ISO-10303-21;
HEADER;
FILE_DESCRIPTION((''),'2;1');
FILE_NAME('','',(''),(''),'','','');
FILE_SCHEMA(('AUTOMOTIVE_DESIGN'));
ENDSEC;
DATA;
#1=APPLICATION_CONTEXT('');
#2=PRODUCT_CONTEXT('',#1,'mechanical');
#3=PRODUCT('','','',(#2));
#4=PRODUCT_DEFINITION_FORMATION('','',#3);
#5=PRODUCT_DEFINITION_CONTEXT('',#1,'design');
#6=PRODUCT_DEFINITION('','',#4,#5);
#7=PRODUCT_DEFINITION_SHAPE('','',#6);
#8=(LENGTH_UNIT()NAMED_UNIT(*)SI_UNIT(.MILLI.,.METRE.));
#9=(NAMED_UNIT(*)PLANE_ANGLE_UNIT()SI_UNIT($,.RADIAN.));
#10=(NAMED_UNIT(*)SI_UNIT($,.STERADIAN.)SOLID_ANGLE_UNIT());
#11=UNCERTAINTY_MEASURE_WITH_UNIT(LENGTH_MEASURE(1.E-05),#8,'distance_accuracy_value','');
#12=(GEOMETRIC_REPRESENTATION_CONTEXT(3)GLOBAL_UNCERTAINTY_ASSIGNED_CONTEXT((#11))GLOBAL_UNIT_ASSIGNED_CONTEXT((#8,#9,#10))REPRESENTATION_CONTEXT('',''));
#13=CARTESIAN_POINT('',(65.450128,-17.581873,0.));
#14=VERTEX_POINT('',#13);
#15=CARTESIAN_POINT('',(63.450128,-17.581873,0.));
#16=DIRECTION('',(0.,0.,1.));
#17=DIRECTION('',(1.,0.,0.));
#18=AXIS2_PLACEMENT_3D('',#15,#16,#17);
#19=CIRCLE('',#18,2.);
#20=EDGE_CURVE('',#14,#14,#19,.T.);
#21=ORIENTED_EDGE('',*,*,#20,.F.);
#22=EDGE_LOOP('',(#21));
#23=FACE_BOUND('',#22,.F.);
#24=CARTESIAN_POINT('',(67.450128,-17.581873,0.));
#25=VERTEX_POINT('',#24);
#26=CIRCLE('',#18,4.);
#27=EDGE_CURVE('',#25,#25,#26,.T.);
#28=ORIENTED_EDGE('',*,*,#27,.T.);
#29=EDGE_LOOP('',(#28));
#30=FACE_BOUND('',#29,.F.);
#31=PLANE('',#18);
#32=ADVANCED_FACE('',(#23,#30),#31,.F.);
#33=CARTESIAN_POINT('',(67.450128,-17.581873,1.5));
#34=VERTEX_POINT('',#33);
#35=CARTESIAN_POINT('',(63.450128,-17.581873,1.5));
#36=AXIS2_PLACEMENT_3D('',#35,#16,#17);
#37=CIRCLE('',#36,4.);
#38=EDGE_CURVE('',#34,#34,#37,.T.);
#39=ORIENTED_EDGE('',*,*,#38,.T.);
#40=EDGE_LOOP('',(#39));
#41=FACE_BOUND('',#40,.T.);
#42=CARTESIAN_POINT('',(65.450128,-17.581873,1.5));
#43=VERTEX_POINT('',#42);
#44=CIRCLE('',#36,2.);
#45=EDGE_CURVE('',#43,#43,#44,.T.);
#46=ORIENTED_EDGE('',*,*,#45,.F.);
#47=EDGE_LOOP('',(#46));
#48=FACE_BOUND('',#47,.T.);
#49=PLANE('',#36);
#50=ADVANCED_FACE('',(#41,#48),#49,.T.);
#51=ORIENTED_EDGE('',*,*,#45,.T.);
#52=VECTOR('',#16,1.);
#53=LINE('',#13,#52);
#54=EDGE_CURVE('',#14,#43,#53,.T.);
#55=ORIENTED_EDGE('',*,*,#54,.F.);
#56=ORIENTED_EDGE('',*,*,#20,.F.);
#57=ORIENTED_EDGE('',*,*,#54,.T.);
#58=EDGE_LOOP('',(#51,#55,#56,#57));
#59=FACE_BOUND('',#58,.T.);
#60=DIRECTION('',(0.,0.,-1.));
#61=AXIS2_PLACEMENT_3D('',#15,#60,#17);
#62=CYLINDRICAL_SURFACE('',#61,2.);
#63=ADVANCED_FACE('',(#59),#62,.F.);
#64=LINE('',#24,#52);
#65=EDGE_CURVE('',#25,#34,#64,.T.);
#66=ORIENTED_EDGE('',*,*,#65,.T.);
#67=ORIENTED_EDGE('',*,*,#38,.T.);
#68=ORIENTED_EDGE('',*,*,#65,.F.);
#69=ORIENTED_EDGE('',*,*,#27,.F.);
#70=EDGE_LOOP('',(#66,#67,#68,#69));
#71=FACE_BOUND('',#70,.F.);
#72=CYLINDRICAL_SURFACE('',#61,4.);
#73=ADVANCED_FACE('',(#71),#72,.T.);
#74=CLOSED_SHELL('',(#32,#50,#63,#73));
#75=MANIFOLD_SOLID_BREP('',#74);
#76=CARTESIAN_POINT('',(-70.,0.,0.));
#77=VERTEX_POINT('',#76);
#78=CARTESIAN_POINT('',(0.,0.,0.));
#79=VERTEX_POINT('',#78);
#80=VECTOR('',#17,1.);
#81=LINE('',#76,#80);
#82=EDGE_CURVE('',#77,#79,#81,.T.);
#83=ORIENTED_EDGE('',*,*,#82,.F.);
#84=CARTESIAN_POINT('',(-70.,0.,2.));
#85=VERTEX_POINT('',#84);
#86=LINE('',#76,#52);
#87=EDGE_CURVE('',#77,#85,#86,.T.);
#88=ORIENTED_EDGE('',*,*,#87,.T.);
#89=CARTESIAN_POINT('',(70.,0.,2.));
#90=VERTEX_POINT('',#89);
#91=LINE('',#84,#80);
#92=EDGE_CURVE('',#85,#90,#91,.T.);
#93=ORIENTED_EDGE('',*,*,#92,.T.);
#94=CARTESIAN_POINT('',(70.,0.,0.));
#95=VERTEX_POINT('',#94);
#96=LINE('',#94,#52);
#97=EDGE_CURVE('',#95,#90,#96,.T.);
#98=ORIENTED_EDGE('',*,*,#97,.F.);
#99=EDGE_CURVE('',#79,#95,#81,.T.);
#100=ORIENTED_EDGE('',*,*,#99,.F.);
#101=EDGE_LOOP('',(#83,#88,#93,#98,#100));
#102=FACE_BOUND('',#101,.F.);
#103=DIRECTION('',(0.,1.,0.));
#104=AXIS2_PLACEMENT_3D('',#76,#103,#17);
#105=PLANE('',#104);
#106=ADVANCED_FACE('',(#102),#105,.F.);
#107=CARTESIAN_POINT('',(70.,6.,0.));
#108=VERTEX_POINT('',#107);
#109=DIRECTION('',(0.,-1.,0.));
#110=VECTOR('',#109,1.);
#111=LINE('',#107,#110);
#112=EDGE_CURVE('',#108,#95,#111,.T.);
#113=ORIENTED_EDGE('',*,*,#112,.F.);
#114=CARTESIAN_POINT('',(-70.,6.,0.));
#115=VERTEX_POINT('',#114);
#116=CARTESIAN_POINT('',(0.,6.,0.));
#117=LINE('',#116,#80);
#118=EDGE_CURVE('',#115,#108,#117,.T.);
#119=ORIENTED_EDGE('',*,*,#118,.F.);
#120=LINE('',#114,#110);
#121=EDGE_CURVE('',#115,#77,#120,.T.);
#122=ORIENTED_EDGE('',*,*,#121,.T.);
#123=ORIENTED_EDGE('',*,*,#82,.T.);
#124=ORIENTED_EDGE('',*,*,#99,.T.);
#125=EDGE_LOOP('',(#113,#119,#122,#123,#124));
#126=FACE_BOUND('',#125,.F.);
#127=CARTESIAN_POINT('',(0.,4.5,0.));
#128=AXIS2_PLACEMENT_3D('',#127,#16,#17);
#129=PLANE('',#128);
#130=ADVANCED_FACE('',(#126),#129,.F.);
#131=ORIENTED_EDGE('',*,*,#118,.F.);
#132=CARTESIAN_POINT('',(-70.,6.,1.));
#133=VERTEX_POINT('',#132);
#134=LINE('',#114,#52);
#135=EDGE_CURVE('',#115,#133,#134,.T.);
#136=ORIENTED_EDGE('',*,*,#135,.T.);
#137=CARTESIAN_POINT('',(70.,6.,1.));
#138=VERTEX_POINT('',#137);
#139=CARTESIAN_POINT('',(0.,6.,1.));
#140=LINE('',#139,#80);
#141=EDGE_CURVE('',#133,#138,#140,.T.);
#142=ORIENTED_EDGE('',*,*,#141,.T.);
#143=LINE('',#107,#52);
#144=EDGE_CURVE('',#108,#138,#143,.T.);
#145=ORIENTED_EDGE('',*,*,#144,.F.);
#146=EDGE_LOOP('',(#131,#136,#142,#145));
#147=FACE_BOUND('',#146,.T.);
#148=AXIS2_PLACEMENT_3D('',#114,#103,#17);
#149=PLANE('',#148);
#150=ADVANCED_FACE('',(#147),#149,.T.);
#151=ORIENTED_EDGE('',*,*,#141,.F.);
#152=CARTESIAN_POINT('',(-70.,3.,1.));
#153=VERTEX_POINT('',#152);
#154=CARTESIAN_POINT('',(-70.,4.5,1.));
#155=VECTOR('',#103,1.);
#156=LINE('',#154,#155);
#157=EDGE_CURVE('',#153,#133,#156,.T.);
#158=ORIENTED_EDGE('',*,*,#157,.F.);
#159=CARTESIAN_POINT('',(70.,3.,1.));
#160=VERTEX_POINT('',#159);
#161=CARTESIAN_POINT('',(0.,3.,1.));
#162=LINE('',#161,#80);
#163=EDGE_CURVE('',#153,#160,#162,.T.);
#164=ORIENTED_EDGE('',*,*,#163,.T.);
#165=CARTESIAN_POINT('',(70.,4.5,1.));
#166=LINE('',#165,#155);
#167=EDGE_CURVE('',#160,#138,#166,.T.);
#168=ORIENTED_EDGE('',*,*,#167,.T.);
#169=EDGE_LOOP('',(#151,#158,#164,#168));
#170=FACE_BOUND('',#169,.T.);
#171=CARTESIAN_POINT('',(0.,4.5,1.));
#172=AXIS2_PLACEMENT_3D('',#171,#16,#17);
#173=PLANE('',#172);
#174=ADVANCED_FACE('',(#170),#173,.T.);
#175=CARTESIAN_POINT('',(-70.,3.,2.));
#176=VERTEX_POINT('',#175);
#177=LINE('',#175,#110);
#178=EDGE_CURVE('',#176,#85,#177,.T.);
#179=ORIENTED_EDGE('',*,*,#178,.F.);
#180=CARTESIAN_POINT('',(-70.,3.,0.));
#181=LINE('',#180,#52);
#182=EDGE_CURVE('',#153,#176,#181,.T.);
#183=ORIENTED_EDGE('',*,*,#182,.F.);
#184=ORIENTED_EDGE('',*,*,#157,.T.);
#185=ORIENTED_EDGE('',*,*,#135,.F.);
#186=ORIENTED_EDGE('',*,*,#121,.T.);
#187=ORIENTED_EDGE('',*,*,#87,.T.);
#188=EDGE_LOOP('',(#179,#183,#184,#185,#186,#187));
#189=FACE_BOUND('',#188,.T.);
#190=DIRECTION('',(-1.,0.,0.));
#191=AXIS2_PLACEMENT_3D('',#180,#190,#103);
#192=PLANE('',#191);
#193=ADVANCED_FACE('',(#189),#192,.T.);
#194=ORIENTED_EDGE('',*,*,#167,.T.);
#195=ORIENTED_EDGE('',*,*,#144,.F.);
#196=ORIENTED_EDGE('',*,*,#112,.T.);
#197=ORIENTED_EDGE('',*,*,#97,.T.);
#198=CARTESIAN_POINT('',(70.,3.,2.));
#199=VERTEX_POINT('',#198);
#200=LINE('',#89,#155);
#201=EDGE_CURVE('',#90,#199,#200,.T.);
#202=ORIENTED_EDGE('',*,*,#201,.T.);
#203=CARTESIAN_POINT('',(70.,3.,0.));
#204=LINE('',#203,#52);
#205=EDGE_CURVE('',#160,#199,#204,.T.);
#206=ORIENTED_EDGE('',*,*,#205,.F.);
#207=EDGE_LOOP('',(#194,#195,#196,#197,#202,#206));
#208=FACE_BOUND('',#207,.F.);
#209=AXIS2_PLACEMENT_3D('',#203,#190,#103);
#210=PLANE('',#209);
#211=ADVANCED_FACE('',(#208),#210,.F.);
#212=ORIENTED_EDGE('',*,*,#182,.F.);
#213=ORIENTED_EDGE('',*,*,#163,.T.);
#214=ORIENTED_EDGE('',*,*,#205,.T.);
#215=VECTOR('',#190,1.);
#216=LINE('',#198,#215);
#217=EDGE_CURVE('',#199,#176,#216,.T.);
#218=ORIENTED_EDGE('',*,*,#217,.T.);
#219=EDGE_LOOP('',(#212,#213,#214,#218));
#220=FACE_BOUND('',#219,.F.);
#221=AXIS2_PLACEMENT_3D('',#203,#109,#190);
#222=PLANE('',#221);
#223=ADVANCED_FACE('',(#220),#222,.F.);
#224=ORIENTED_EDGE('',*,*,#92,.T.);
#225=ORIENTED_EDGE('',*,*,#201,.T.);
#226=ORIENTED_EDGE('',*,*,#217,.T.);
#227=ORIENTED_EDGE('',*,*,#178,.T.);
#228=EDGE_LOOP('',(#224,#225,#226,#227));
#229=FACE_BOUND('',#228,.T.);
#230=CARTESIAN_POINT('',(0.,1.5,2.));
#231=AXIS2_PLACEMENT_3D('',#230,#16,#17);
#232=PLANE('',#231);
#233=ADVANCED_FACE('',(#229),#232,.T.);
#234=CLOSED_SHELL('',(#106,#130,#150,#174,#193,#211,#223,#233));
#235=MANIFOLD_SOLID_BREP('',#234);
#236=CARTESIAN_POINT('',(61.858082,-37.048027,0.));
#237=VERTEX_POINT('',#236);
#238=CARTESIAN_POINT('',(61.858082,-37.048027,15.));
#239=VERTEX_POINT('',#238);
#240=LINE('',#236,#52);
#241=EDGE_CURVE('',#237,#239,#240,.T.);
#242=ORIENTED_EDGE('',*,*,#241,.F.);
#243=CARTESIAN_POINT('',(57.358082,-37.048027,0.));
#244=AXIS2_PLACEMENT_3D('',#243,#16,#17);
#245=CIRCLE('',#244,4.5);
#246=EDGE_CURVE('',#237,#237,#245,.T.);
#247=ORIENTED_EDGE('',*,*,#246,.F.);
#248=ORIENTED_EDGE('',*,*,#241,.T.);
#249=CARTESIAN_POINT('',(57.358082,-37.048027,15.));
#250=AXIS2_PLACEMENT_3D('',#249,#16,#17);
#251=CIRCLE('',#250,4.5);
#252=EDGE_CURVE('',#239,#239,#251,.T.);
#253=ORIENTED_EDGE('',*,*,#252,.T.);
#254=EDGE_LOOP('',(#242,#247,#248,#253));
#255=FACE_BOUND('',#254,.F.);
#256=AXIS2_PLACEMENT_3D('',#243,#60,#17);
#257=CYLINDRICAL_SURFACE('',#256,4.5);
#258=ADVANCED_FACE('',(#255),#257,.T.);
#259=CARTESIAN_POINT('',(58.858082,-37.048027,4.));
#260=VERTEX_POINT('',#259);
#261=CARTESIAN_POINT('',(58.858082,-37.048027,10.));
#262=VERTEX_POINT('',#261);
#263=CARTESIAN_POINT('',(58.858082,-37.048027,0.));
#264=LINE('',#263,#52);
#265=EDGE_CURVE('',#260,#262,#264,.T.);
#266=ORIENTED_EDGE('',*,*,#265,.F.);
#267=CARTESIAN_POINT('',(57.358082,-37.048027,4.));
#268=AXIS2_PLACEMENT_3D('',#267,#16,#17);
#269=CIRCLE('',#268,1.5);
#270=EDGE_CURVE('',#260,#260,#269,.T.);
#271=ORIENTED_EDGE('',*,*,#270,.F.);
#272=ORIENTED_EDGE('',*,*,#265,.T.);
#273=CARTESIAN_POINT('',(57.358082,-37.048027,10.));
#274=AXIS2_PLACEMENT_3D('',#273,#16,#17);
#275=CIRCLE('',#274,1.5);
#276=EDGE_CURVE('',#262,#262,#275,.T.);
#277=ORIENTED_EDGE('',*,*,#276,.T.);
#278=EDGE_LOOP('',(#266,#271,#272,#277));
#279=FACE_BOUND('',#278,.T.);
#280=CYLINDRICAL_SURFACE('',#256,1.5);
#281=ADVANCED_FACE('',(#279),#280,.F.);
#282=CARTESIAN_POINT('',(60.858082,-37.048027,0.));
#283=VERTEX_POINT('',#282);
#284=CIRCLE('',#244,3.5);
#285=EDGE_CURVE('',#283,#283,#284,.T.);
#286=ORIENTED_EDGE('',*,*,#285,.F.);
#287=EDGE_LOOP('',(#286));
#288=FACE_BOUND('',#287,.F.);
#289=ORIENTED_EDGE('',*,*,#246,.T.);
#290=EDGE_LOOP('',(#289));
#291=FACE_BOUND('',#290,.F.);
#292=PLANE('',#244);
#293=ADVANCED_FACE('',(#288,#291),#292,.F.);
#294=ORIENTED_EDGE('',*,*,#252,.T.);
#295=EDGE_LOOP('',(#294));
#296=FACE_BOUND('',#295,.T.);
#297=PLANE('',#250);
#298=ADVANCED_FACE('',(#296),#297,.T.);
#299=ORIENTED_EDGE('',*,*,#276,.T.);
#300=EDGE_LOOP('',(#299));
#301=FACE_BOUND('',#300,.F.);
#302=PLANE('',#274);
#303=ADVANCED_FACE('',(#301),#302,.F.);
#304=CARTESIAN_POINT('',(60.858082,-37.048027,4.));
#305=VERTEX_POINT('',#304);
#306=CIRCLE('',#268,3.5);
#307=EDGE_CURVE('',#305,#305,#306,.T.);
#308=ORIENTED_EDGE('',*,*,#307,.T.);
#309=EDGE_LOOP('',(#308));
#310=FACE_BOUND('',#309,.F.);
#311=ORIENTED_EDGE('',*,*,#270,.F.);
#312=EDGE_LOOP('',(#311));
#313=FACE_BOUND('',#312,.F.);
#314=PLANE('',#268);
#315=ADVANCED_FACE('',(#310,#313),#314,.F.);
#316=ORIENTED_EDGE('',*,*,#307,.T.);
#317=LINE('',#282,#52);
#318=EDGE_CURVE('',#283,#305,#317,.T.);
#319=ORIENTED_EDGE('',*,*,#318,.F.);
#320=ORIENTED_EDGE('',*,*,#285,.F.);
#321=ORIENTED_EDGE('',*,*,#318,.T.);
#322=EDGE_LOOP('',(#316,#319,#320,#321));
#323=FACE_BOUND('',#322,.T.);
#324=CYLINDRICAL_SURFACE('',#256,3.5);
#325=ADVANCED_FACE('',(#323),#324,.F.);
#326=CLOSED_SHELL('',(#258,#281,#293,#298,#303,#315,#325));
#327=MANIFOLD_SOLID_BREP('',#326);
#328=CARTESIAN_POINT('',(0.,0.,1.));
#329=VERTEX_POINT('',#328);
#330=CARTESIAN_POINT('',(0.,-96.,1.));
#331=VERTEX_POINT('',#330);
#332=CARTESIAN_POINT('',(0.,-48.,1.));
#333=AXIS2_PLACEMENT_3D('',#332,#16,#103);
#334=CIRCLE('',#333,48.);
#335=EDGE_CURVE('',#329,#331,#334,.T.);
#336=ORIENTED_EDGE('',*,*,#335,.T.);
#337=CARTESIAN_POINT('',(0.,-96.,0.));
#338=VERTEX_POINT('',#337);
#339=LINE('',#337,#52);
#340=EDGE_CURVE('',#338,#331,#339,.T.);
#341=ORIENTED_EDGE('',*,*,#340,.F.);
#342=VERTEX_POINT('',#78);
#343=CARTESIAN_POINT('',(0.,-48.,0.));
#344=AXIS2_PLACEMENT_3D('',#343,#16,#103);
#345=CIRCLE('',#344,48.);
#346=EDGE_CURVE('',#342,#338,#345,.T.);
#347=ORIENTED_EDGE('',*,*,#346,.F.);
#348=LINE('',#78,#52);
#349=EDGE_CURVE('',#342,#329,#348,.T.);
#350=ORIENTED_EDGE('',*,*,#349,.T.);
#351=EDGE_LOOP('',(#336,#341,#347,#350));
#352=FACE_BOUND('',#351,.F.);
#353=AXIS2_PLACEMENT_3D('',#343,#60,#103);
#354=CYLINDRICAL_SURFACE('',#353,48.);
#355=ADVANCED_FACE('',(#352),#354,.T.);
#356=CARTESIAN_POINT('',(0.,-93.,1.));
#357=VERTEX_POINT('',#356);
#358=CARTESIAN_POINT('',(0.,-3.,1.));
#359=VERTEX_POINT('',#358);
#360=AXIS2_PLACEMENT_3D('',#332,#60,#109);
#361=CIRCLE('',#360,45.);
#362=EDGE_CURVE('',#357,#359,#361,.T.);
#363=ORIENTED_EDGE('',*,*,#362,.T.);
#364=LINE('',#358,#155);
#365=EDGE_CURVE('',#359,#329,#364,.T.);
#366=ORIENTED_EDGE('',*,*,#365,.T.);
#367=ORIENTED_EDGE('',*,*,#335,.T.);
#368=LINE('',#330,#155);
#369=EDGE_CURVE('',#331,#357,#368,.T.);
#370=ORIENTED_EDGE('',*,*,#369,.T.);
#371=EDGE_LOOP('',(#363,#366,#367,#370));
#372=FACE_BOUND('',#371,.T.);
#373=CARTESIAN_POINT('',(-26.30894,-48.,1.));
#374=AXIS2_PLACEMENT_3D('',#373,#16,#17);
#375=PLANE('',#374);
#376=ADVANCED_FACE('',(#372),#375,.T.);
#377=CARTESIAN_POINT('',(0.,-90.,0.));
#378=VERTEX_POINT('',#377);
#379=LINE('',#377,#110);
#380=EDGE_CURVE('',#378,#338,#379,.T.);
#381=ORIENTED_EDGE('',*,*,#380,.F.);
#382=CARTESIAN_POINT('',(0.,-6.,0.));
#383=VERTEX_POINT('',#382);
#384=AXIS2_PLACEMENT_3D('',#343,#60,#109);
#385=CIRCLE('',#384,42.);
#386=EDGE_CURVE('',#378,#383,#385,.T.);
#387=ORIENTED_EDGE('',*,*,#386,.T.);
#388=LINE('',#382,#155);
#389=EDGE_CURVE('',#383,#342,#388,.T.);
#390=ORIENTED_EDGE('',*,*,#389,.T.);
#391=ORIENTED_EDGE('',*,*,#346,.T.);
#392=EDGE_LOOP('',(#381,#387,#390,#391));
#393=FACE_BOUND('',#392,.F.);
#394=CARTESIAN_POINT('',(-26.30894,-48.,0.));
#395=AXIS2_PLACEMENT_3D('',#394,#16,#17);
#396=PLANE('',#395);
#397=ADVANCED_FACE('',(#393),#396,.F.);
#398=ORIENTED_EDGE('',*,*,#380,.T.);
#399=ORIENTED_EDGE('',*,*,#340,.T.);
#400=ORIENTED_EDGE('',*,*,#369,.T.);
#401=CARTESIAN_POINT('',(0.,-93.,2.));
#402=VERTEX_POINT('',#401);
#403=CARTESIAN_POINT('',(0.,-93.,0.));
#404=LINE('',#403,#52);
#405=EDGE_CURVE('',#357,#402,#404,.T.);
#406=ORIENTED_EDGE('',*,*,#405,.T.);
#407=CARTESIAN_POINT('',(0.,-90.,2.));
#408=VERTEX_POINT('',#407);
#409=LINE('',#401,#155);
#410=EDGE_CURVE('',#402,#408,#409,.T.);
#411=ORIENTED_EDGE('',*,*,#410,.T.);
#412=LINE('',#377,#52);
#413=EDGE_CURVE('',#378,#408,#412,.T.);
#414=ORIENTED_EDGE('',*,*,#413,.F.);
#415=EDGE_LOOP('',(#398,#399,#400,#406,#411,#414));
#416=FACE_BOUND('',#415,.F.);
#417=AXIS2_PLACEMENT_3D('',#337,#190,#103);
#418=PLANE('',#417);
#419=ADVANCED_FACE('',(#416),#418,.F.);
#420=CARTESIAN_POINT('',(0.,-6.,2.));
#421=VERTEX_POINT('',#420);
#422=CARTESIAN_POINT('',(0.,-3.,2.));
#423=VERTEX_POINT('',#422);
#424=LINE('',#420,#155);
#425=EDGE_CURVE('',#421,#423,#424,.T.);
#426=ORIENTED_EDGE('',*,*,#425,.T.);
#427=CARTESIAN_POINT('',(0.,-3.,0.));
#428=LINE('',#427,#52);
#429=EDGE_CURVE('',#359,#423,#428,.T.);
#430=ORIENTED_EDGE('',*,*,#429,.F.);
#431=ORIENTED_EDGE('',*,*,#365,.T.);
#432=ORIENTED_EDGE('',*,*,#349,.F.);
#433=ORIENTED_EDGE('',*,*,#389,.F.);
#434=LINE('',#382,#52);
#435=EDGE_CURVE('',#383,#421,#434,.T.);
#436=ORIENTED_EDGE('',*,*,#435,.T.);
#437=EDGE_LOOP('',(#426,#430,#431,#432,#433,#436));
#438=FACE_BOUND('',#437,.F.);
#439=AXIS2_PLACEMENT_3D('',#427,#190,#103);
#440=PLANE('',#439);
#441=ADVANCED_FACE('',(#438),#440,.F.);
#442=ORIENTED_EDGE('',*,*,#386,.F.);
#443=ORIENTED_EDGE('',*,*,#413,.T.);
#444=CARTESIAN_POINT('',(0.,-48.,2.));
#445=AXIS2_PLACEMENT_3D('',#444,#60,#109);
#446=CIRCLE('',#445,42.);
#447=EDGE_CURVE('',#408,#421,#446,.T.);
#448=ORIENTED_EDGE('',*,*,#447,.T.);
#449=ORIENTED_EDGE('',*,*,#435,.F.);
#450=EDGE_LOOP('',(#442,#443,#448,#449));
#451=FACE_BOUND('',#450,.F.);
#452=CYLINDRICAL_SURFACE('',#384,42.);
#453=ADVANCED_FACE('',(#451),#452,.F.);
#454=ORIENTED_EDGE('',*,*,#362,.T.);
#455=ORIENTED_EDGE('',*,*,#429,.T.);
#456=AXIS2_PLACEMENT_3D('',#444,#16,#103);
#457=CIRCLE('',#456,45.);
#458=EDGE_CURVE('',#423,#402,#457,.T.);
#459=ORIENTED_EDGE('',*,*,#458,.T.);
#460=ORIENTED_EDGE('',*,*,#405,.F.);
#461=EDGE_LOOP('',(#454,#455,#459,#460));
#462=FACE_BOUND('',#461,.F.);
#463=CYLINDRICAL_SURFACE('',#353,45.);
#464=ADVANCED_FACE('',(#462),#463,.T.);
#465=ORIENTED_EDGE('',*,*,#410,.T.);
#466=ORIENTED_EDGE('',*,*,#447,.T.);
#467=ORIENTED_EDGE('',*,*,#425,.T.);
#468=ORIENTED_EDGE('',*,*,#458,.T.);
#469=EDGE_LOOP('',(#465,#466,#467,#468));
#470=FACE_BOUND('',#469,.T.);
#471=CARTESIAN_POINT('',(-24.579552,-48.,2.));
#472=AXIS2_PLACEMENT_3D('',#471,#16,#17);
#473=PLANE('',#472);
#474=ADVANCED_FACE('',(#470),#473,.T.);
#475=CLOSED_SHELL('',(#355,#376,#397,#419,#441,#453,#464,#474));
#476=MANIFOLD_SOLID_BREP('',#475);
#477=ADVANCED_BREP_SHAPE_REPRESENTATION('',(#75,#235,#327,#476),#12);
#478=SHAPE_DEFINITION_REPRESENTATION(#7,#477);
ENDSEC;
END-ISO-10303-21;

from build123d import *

# Parameters (mm, degrees)
F1_DEPTH = 2
F0_W     = 140
F0_H     = 3
F2_DEPTH = 1
F0_R     = 4
F0_R_2   = 2
F3_DEPTH = 1.5
F0_R_3   = 4.5
F0_R_4   = 3.5
F0_R_5   = 1.5
F4_DEPTH = 15
F5_DEPTH = 10
F6_DEPTH = 4


with BuildPart() as f1:
    # F0 (on Top) → F1 (new body)
    with BuildSketch(Plane.XY):
        Polygon((-70, 3), (-70, 0), (0, 0), (70, 0), (70, 3), align=None)
    extrude(amount=F1_DEPTH)



with BuildPart() as f1b:
    # F0 (on Top) → F1, piece 2 (new body)
    with BuildSketch(Plane.XY):
        with BuildLine():
            Line((0, -6), (0, -3))
            ThreePointArc((0, -3), (-45, -48), (0, -93))
            Line((0, -93), (0, -90))
            ThreePointArc((0, -90), (-42, -48), (0, -6))
        make_face()
    extrude(amount=F1_DEPTH)


with BuildPart() as f1_1:
    add(f1.part)

    add(f1b.part)  # F2 merges F1b
    # F0 (on Top) → F2 (join)
    with BuildSketch(Plane.XY):
        with Locations((0, 4.5)):
            Rectangle(F0_W, F0_H)
        with BuildLine():
            Line((0, -3), (0, 0))
            ThreePointArc((0, 0), (-48, -48), (0, -96))
            Line((0, -96), (0, -93))
            ThreePointArc((0, -93), (-45, -48), (0, -3))
        make_face()
    extrude(amount=F2_DEPTH)


with BuildPart() as f3:
    # F0 (on Top) → F3 (new body)
    with BuildSketch(Plane.XY):
        with Locations((63.45012784, -17.581872642)):
            Circle(F0_R)
        with Locations((63.45012784, -17.581872642)):
            Circle(F0_R_2, mode=Mode.SUBTRACT)
    extrude(amount=F3_DEPTH)


with BuildPart() as f4:
    # F0 (on Top) → F4 (new body)
    with BuildSketch(Plane.XY):
        with Locations((57.3580823839, -37.0480269194)):
            Circle(F0_R_3)
        with Locations((57.3580823839, -37.0480269194)):
            Circle(F0_R_4, mode=Mode.SUBTRACT)
        with Locations((57.3580823839, -37.0480269194)):
            Circle(F0_R_4)
        with Locations((57.3580823839, -37.0480269194)):
            Circle(F0_R_5, mode=Mode.SUBTRACT)
        with Locations((57.3580823839, -37.0480269194)):
            Circle(F0_R_5)
    extrude(amount=F4_DEPTH)

    # F0 (on Top) → F5 (cut)
    with BuildSketch(Plane.XY):
        with Locations((57.3580823839, -37.0480269194)):
            Circle(F0_R_5)
    extrude(amount=F5_DEPTH, mode=Mode.SUBTRACT)

    # F0 (on Top) → F6 (cut)
    with BuildSketch(Plane.XY):
        with Locations((57.3580823839, -37.0480269194)):
            Circle(F0_R_4)
        with Locations((57.3580823839, -37.0480269194)):
            Circle(F0_R_5, mode=Mode.SUBTRACT)
    extrude(amount=F6_DEPTH, mode=Mode.SUBTRACT)


solid = Compound([f1_1.part, f3.part, f4.part])
